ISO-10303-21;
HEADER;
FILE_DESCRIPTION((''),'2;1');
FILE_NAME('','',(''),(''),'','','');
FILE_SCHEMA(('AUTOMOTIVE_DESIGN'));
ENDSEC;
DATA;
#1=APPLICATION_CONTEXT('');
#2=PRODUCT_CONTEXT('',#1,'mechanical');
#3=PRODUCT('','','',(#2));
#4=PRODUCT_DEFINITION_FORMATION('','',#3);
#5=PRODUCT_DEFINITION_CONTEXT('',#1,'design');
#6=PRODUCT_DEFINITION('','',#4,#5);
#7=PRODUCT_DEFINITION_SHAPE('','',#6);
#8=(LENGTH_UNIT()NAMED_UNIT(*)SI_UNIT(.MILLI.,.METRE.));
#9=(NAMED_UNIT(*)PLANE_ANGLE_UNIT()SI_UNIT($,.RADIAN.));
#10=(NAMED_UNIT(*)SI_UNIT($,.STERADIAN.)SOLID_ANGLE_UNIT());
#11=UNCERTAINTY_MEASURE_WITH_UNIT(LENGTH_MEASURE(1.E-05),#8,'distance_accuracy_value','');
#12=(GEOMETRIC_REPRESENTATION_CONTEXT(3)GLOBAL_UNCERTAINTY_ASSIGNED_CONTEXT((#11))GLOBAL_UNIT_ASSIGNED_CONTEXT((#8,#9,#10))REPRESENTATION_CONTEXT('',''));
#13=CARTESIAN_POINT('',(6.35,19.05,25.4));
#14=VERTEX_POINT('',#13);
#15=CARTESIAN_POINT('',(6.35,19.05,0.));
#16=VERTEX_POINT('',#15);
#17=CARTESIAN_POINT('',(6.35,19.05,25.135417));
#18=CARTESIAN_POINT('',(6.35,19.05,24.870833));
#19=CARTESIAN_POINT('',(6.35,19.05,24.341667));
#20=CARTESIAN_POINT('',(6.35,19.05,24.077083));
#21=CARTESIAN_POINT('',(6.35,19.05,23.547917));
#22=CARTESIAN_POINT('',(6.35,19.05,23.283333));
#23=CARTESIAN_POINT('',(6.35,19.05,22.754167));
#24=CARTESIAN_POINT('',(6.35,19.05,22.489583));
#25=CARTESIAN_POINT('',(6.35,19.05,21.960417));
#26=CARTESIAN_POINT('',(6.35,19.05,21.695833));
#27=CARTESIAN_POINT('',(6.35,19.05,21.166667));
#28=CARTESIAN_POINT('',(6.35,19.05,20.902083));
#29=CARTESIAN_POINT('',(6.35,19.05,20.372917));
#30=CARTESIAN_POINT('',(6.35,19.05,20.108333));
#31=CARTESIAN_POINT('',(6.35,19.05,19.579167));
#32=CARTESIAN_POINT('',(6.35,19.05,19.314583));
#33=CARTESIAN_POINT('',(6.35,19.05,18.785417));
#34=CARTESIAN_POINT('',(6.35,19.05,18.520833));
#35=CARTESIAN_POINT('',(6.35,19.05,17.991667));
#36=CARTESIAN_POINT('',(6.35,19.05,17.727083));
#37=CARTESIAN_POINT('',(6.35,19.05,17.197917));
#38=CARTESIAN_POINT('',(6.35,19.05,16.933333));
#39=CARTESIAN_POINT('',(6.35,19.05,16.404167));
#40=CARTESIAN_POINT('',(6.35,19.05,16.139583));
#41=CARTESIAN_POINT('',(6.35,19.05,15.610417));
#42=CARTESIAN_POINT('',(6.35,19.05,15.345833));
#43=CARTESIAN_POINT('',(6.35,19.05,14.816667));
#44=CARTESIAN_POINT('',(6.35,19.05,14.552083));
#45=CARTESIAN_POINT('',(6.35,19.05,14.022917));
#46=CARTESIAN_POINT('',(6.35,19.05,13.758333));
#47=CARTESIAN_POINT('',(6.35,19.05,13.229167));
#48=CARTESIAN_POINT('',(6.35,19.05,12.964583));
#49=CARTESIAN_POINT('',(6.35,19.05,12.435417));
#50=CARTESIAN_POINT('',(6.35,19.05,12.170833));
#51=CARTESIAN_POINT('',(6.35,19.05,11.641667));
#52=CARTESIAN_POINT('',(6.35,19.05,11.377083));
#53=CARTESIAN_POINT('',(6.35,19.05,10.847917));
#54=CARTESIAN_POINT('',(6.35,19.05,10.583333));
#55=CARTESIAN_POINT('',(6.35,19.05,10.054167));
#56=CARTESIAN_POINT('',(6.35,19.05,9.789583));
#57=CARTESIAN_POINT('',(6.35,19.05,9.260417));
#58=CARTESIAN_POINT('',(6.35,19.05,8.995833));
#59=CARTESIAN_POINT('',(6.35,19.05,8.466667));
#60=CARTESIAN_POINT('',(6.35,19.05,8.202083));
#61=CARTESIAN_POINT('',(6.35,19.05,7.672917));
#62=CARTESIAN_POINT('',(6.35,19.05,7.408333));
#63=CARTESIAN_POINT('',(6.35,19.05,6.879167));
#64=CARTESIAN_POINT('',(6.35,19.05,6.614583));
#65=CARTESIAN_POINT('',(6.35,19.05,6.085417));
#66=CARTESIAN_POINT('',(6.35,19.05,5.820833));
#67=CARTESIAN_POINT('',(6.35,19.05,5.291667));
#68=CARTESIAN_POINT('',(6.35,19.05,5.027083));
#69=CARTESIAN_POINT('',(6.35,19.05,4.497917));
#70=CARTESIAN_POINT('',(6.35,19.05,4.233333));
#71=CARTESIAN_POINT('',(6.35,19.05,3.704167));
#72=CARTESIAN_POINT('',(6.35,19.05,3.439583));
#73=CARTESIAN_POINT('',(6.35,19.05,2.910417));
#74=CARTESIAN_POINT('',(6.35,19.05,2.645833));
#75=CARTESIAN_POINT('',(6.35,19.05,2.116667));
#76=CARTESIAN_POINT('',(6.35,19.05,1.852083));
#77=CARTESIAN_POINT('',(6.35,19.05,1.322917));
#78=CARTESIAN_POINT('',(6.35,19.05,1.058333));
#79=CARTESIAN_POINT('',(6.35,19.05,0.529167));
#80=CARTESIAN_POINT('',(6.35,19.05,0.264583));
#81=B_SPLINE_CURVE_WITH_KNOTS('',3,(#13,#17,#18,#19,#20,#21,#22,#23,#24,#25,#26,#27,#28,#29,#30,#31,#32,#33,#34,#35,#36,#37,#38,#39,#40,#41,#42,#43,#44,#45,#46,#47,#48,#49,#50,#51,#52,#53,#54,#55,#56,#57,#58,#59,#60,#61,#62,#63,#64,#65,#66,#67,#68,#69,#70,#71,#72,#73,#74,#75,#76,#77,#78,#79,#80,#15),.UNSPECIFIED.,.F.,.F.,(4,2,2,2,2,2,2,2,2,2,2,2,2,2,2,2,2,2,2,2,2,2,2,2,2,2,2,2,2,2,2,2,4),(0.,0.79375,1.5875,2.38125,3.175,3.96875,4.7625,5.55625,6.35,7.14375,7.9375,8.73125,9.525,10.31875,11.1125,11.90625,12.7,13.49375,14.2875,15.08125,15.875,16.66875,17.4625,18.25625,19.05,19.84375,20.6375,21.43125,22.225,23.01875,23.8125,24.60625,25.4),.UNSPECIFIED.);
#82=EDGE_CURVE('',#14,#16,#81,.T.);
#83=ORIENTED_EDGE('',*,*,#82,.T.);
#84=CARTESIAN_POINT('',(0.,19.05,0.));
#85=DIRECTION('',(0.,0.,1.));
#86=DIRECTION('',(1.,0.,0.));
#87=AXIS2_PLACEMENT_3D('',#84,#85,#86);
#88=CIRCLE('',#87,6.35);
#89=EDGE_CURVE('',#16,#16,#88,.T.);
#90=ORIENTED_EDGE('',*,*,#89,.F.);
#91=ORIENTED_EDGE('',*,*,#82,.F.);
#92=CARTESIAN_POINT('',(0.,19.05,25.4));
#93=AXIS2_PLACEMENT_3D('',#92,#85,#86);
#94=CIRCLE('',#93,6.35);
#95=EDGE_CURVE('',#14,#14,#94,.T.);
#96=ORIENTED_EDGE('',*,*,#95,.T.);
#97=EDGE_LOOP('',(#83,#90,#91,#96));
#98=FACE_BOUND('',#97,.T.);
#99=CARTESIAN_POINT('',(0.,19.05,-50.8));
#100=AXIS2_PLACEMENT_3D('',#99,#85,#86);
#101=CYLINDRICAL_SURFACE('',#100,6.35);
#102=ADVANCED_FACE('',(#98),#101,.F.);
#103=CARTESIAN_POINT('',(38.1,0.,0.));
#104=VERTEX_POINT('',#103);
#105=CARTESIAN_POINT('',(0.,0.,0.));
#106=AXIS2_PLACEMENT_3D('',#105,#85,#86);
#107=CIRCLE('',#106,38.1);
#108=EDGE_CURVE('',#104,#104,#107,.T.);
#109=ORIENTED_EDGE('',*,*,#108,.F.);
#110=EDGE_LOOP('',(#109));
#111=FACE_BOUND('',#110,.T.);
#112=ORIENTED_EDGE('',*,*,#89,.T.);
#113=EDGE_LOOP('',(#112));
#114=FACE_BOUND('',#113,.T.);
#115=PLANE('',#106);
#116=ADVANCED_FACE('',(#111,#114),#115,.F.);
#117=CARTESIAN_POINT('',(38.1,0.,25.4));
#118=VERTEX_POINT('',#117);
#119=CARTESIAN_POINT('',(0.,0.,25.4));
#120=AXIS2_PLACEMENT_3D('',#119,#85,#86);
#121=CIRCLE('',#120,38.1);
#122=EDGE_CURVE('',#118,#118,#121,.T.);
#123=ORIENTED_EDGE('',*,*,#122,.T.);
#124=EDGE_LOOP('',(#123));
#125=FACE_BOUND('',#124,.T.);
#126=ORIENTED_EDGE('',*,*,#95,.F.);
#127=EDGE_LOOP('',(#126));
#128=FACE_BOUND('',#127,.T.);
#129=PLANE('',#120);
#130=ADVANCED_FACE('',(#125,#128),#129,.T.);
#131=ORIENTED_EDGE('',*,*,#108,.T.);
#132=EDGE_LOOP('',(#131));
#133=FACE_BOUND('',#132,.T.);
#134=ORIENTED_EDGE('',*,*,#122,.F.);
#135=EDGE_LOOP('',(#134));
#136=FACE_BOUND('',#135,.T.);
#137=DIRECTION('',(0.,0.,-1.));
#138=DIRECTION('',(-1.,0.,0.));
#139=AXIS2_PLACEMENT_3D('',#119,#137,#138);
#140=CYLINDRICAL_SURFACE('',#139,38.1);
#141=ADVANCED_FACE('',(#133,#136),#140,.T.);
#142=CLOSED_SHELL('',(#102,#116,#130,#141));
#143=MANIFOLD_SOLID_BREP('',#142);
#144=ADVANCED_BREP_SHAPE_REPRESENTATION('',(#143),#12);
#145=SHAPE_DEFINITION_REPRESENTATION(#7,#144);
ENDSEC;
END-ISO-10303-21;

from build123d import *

# Parameters (mm, degrees)
SKETCH1_R           = 38.1
BOSS_EXTRUDE1_DEPTH = 25.4
SKETCH2_R           = 6.35
CUT_EXTRUDE1_DEPTH  = 76.2


with BuildPart() as part:
    # Sketch1 → Boss-Extrude1 (new body)
    with BuildSketch(Plane.XY):
        Circle(SKETCH1_R)
    extrude(amount=BOSS_EXTRUDE1_DEPTH)

    # Sketch2 → Cut-Extrude1 (cut)
    with BuildSketch(Plane.XY.offset(25.4)):
        with Locations((0, 19.05)):
            Circle(SKETCH2_R)
    extrude(amount=-CUT_EXTRUDE1_DEPTH, mode=Mode.SUBTRACT)


solid = part.part
